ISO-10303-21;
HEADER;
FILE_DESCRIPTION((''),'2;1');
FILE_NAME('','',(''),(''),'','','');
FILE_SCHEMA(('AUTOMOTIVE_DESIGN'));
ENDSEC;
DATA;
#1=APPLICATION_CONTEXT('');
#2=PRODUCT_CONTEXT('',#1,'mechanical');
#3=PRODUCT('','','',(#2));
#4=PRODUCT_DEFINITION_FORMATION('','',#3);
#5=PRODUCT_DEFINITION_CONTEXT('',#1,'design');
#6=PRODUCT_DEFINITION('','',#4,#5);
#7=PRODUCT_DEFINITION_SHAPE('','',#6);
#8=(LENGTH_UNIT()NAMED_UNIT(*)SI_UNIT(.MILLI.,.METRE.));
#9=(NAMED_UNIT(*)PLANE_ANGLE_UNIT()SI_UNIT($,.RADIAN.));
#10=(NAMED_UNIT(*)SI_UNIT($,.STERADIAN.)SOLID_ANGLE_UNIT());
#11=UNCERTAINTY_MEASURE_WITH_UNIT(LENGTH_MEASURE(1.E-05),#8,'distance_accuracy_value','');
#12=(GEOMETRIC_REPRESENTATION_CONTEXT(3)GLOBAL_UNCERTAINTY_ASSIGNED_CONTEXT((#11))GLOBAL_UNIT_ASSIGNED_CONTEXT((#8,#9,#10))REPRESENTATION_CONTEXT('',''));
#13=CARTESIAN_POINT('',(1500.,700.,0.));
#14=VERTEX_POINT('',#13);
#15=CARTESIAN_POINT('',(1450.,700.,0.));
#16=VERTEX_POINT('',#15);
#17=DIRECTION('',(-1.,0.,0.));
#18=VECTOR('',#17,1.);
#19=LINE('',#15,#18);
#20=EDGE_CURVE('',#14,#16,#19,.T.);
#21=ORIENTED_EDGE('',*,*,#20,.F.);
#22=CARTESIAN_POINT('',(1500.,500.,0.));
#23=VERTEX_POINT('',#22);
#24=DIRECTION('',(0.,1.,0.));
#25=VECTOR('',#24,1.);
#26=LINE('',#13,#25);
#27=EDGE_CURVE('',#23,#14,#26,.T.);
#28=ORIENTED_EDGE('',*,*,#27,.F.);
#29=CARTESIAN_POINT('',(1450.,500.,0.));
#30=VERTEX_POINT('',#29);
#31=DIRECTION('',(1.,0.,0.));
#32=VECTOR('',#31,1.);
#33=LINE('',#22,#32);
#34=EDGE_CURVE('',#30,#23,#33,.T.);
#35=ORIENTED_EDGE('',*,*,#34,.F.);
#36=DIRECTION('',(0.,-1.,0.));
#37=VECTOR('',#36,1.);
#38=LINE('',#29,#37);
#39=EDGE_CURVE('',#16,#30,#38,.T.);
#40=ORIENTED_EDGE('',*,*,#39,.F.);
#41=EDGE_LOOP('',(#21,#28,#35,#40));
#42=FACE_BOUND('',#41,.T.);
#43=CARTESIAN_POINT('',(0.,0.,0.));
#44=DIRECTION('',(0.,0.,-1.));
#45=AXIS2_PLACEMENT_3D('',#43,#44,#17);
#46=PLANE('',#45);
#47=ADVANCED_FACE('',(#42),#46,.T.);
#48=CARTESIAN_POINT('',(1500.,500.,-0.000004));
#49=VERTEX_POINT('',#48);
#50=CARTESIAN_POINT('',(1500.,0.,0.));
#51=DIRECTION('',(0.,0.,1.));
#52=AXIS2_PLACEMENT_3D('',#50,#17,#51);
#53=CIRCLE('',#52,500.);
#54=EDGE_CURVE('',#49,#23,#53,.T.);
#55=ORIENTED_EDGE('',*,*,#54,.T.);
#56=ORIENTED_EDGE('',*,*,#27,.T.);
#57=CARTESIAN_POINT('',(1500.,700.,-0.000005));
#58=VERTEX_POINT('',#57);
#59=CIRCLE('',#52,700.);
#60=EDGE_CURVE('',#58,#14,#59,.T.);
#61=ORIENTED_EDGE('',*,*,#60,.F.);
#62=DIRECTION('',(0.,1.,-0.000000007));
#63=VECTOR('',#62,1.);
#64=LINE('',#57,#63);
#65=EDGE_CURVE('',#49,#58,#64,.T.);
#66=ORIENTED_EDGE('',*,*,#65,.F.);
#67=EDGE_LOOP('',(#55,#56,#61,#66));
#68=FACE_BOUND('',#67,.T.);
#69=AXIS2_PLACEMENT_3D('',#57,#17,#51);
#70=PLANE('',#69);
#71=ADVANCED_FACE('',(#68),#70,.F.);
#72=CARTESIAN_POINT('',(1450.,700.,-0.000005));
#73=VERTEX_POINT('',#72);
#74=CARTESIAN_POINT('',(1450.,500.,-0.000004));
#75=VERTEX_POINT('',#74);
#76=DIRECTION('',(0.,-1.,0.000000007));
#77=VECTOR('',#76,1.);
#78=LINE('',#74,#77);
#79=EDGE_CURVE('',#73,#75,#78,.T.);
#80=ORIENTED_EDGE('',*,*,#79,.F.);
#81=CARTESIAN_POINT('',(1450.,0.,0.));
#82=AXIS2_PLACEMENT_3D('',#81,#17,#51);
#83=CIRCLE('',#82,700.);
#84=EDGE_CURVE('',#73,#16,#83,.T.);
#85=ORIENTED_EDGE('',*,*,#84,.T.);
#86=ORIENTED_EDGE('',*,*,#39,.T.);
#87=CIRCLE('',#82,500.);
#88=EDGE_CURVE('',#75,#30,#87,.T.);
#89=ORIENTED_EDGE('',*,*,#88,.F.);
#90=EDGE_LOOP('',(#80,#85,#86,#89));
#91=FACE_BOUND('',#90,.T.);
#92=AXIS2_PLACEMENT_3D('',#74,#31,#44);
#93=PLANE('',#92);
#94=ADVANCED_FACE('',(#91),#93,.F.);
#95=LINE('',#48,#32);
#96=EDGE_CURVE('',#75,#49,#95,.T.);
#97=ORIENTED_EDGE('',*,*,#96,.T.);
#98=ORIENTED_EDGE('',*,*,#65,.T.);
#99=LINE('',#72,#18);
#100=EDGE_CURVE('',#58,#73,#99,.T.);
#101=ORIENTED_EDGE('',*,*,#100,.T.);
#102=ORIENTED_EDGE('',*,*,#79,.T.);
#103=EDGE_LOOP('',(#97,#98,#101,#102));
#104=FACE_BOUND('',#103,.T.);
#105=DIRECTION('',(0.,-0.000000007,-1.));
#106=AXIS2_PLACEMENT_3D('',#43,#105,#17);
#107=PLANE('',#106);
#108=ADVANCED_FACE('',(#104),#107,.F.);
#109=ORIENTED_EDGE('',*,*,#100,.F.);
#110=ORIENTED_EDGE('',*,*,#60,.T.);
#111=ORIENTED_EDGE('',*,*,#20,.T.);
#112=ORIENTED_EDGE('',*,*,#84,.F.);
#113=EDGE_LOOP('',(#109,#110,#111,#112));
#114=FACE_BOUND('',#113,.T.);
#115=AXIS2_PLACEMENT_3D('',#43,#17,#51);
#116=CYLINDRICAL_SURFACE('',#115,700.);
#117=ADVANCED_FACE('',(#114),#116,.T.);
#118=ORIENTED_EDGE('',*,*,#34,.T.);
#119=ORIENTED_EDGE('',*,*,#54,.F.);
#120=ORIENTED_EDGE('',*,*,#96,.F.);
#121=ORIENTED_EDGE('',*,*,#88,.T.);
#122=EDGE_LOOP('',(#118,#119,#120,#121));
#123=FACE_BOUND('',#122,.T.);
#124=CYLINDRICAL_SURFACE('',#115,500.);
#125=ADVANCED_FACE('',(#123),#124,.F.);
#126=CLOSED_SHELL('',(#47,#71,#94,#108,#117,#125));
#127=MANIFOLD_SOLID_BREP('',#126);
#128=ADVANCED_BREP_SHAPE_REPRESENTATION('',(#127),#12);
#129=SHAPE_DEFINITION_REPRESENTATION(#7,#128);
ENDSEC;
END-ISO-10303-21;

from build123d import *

# Parameters (mm, degrees)
SKETCH1_W      = 50
SKETCH1_H      = 200
REVOLVE1_ANGLE = 359.999999589


with BuildPart() as part:
    # Sketch1 → Revolve1 (revolve)
    with BuildSketch(Plane.XY):
        with Locations((1475, 600)):
            Rectangle(SKETCH1_W, SKETCH1_H)
    revolve(axis=Axis((0, 0, 0), (1, 0, 0)), revolution_arc=REVOLVE1_ANGLE)


solid = part.part
